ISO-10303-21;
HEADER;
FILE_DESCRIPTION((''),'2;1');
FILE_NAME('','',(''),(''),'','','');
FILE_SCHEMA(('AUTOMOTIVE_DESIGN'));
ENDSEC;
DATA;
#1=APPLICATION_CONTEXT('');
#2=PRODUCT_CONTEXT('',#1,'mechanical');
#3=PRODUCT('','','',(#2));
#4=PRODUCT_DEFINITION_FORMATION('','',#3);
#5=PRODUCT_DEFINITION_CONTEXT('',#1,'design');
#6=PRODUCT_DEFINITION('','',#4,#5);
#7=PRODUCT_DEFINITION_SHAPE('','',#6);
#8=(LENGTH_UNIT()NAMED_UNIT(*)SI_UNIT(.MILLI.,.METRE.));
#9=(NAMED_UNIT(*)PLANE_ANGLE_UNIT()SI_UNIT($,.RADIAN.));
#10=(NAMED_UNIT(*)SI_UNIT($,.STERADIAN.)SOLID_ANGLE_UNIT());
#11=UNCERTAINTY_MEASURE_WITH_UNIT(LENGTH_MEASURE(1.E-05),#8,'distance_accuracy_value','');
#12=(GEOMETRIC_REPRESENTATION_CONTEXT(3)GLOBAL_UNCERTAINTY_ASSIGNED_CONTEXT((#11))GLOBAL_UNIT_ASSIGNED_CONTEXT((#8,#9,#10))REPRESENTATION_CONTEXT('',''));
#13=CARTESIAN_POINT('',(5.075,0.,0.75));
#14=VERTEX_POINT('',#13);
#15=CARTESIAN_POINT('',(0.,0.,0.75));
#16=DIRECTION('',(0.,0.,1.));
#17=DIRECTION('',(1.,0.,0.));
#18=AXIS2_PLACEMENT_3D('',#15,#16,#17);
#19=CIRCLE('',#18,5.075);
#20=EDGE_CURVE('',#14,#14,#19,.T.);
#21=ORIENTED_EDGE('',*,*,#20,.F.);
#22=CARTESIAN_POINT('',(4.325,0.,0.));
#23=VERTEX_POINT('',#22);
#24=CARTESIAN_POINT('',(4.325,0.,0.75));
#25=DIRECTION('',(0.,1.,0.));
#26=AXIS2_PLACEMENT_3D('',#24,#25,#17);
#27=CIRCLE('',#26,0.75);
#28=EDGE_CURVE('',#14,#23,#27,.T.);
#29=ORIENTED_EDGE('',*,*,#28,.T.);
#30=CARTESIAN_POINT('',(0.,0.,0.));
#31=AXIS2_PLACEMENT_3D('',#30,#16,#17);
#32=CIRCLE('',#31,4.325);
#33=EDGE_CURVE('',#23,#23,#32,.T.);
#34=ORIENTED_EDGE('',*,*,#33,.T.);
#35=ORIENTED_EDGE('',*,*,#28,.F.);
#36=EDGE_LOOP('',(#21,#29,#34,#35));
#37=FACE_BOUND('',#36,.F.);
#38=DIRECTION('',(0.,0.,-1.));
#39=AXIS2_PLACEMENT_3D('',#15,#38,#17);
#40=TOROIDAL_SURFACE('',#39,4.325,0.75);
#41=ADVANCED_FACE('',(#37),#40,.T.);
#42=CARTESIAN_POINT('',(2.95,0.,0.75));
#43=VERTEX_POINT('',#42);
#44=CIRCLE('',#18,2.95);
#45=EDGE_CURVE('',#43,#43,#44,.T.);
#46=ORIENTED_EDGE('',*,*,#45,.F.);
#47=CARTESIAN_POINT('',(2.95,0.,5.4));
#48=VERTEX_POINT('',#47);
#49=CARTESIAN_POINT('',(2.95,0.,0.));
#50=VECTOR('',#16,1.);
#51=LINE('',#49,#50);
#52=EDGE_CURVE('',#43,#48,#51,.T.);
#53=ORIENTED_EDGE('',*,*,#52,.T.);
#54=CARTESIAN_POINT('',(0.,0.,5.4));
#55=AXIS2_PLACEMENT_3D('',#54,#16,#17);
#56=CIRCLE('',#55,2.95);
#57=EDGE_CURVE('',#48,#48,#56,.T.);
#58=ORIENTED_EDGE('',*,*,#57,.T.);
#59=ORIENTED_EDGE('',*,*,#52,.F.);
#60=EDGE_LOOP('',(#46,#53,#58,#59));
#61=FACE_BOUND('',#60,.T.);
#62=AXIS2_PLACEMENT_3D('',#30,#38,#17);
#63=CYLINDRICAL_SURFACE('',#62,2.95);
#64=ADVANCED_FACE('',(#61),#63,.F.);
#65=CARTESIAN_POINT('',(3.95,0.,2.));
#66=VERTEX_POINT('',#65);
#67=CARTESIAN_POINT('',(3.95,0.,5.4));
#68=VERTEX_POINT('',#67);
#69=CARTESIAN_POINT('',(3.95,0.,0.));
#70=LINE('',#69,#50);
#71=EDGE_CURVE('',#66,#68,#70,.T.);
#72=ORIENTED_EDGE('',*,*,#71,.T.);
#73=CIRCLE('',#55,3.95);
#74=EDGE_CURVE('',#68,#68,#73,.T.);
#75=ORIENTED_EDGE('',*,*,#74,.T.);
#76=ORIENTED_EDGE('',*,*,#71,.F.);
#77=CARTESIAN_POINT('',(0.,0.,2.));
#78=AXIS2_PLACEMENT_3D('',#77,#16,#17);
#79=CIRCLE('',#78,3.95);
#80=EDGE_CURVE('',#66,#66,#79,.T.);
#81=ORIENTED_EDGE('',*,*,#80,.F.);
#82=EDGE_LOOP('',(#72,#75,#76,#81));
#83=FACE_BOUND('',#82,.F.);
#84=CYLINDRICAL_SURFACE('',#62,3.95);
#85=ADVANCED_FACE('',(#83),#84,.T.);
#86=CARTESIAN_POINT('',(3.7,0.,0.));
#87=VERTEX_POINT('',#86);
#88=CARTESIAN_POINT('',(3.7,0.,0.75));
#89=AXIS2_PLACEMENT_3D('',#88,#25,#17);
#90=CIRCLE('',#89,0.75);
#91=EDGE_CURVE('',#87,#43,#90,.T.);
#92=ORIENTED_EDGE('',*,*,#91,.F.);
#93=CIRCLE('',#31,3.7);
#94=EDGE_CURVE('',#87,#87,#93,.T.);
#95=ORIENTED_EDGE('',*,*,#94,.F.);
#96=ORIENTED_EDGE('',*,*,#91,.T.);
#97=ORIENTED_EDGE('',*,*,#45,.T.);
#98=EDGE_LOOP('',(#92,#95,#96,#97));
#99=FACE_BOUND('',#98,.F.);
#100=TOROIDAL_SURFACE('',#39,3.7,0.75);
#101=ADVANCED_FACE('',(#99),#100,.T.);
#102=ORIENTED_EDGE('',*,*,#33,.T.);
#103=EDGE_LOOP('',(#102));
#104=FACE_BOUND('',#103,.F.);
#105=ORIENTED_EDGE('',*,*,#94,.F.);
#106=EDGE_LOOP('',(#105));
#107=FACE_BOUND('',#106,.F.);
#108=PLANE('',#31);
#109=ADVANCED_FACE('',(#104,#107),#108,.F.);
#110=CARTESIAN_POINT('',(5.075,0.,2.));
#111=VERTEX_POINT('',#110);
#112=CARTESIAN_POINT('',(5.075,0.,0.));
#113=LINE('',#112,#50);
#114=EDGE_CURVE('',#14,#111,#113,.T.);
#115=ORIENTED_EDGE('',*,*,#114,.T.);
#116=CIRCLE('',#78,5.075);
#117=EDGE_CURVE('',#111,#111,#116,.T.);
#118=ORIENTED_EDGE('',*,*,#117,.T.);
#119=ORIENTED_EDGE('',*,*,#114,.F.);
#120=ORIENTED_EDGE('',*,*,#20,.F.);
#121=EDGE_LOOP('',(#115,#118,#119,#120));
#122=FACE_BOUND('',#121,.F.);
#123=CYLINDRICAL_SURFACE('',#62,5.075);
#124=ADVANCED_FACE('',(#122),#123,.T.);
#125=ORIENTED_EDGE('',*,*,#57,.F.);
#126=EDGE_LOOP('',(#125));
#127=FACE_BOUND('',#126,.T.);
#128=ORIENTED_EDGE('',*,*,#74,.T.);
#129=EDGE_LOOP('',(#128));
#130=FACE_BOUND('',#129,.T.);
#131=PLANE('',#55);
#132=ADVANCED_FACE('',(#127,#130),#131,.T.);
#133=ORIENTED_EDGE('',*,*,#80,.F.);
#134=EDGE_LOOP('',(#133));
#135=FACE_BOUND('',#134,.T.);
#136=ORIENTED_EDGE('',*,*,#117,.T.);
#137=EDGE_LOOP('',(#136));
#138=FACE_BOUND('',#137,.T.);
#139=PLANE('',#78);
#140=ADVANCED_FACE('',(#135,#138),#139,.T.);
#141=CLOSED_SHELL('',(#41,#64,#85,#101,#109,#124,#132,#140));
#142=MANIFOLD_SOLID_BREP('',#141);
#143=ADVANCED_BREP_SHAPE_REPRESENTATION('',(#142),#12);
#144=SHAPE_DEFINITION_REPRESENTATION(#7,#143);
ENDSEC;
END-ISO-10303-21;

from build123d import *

# Parameters (mm, degrees)
F0_R     = 3.95
F0_R_2   = 2.95
F1_DEPTH = 5.4
F0_R_3   = 5.075
F2_DEPTH = 2
F3_R     = 0.75


with BuildPart() as f1:
    # F0 (on Top) → F1 (new body)
    with BuildSketch(Plane.XY):
        Circle(F0_R)
        Circle(F0_R_2, mode=Mode.SUBTRACT)
    extrude(amount=F1_DEPTH)

    # F0 (on Top) → F2 (join)
    with BuildSketch(Plane.XY):
        Circle(F0_R_3)
        Circle(F0_R, mode=Mode.SUBTRACT)
    extrude(amount=F2_DEPTH)

    # F3
    f3_edges = [f1.edges().sort_by_distance(p)[0] for p in [
        (-5.075, 0, 0),
        (-2.95, 0, 0),
    ]]
    fillet(f3_edges, radius=F3_R)


solid = f1.part
